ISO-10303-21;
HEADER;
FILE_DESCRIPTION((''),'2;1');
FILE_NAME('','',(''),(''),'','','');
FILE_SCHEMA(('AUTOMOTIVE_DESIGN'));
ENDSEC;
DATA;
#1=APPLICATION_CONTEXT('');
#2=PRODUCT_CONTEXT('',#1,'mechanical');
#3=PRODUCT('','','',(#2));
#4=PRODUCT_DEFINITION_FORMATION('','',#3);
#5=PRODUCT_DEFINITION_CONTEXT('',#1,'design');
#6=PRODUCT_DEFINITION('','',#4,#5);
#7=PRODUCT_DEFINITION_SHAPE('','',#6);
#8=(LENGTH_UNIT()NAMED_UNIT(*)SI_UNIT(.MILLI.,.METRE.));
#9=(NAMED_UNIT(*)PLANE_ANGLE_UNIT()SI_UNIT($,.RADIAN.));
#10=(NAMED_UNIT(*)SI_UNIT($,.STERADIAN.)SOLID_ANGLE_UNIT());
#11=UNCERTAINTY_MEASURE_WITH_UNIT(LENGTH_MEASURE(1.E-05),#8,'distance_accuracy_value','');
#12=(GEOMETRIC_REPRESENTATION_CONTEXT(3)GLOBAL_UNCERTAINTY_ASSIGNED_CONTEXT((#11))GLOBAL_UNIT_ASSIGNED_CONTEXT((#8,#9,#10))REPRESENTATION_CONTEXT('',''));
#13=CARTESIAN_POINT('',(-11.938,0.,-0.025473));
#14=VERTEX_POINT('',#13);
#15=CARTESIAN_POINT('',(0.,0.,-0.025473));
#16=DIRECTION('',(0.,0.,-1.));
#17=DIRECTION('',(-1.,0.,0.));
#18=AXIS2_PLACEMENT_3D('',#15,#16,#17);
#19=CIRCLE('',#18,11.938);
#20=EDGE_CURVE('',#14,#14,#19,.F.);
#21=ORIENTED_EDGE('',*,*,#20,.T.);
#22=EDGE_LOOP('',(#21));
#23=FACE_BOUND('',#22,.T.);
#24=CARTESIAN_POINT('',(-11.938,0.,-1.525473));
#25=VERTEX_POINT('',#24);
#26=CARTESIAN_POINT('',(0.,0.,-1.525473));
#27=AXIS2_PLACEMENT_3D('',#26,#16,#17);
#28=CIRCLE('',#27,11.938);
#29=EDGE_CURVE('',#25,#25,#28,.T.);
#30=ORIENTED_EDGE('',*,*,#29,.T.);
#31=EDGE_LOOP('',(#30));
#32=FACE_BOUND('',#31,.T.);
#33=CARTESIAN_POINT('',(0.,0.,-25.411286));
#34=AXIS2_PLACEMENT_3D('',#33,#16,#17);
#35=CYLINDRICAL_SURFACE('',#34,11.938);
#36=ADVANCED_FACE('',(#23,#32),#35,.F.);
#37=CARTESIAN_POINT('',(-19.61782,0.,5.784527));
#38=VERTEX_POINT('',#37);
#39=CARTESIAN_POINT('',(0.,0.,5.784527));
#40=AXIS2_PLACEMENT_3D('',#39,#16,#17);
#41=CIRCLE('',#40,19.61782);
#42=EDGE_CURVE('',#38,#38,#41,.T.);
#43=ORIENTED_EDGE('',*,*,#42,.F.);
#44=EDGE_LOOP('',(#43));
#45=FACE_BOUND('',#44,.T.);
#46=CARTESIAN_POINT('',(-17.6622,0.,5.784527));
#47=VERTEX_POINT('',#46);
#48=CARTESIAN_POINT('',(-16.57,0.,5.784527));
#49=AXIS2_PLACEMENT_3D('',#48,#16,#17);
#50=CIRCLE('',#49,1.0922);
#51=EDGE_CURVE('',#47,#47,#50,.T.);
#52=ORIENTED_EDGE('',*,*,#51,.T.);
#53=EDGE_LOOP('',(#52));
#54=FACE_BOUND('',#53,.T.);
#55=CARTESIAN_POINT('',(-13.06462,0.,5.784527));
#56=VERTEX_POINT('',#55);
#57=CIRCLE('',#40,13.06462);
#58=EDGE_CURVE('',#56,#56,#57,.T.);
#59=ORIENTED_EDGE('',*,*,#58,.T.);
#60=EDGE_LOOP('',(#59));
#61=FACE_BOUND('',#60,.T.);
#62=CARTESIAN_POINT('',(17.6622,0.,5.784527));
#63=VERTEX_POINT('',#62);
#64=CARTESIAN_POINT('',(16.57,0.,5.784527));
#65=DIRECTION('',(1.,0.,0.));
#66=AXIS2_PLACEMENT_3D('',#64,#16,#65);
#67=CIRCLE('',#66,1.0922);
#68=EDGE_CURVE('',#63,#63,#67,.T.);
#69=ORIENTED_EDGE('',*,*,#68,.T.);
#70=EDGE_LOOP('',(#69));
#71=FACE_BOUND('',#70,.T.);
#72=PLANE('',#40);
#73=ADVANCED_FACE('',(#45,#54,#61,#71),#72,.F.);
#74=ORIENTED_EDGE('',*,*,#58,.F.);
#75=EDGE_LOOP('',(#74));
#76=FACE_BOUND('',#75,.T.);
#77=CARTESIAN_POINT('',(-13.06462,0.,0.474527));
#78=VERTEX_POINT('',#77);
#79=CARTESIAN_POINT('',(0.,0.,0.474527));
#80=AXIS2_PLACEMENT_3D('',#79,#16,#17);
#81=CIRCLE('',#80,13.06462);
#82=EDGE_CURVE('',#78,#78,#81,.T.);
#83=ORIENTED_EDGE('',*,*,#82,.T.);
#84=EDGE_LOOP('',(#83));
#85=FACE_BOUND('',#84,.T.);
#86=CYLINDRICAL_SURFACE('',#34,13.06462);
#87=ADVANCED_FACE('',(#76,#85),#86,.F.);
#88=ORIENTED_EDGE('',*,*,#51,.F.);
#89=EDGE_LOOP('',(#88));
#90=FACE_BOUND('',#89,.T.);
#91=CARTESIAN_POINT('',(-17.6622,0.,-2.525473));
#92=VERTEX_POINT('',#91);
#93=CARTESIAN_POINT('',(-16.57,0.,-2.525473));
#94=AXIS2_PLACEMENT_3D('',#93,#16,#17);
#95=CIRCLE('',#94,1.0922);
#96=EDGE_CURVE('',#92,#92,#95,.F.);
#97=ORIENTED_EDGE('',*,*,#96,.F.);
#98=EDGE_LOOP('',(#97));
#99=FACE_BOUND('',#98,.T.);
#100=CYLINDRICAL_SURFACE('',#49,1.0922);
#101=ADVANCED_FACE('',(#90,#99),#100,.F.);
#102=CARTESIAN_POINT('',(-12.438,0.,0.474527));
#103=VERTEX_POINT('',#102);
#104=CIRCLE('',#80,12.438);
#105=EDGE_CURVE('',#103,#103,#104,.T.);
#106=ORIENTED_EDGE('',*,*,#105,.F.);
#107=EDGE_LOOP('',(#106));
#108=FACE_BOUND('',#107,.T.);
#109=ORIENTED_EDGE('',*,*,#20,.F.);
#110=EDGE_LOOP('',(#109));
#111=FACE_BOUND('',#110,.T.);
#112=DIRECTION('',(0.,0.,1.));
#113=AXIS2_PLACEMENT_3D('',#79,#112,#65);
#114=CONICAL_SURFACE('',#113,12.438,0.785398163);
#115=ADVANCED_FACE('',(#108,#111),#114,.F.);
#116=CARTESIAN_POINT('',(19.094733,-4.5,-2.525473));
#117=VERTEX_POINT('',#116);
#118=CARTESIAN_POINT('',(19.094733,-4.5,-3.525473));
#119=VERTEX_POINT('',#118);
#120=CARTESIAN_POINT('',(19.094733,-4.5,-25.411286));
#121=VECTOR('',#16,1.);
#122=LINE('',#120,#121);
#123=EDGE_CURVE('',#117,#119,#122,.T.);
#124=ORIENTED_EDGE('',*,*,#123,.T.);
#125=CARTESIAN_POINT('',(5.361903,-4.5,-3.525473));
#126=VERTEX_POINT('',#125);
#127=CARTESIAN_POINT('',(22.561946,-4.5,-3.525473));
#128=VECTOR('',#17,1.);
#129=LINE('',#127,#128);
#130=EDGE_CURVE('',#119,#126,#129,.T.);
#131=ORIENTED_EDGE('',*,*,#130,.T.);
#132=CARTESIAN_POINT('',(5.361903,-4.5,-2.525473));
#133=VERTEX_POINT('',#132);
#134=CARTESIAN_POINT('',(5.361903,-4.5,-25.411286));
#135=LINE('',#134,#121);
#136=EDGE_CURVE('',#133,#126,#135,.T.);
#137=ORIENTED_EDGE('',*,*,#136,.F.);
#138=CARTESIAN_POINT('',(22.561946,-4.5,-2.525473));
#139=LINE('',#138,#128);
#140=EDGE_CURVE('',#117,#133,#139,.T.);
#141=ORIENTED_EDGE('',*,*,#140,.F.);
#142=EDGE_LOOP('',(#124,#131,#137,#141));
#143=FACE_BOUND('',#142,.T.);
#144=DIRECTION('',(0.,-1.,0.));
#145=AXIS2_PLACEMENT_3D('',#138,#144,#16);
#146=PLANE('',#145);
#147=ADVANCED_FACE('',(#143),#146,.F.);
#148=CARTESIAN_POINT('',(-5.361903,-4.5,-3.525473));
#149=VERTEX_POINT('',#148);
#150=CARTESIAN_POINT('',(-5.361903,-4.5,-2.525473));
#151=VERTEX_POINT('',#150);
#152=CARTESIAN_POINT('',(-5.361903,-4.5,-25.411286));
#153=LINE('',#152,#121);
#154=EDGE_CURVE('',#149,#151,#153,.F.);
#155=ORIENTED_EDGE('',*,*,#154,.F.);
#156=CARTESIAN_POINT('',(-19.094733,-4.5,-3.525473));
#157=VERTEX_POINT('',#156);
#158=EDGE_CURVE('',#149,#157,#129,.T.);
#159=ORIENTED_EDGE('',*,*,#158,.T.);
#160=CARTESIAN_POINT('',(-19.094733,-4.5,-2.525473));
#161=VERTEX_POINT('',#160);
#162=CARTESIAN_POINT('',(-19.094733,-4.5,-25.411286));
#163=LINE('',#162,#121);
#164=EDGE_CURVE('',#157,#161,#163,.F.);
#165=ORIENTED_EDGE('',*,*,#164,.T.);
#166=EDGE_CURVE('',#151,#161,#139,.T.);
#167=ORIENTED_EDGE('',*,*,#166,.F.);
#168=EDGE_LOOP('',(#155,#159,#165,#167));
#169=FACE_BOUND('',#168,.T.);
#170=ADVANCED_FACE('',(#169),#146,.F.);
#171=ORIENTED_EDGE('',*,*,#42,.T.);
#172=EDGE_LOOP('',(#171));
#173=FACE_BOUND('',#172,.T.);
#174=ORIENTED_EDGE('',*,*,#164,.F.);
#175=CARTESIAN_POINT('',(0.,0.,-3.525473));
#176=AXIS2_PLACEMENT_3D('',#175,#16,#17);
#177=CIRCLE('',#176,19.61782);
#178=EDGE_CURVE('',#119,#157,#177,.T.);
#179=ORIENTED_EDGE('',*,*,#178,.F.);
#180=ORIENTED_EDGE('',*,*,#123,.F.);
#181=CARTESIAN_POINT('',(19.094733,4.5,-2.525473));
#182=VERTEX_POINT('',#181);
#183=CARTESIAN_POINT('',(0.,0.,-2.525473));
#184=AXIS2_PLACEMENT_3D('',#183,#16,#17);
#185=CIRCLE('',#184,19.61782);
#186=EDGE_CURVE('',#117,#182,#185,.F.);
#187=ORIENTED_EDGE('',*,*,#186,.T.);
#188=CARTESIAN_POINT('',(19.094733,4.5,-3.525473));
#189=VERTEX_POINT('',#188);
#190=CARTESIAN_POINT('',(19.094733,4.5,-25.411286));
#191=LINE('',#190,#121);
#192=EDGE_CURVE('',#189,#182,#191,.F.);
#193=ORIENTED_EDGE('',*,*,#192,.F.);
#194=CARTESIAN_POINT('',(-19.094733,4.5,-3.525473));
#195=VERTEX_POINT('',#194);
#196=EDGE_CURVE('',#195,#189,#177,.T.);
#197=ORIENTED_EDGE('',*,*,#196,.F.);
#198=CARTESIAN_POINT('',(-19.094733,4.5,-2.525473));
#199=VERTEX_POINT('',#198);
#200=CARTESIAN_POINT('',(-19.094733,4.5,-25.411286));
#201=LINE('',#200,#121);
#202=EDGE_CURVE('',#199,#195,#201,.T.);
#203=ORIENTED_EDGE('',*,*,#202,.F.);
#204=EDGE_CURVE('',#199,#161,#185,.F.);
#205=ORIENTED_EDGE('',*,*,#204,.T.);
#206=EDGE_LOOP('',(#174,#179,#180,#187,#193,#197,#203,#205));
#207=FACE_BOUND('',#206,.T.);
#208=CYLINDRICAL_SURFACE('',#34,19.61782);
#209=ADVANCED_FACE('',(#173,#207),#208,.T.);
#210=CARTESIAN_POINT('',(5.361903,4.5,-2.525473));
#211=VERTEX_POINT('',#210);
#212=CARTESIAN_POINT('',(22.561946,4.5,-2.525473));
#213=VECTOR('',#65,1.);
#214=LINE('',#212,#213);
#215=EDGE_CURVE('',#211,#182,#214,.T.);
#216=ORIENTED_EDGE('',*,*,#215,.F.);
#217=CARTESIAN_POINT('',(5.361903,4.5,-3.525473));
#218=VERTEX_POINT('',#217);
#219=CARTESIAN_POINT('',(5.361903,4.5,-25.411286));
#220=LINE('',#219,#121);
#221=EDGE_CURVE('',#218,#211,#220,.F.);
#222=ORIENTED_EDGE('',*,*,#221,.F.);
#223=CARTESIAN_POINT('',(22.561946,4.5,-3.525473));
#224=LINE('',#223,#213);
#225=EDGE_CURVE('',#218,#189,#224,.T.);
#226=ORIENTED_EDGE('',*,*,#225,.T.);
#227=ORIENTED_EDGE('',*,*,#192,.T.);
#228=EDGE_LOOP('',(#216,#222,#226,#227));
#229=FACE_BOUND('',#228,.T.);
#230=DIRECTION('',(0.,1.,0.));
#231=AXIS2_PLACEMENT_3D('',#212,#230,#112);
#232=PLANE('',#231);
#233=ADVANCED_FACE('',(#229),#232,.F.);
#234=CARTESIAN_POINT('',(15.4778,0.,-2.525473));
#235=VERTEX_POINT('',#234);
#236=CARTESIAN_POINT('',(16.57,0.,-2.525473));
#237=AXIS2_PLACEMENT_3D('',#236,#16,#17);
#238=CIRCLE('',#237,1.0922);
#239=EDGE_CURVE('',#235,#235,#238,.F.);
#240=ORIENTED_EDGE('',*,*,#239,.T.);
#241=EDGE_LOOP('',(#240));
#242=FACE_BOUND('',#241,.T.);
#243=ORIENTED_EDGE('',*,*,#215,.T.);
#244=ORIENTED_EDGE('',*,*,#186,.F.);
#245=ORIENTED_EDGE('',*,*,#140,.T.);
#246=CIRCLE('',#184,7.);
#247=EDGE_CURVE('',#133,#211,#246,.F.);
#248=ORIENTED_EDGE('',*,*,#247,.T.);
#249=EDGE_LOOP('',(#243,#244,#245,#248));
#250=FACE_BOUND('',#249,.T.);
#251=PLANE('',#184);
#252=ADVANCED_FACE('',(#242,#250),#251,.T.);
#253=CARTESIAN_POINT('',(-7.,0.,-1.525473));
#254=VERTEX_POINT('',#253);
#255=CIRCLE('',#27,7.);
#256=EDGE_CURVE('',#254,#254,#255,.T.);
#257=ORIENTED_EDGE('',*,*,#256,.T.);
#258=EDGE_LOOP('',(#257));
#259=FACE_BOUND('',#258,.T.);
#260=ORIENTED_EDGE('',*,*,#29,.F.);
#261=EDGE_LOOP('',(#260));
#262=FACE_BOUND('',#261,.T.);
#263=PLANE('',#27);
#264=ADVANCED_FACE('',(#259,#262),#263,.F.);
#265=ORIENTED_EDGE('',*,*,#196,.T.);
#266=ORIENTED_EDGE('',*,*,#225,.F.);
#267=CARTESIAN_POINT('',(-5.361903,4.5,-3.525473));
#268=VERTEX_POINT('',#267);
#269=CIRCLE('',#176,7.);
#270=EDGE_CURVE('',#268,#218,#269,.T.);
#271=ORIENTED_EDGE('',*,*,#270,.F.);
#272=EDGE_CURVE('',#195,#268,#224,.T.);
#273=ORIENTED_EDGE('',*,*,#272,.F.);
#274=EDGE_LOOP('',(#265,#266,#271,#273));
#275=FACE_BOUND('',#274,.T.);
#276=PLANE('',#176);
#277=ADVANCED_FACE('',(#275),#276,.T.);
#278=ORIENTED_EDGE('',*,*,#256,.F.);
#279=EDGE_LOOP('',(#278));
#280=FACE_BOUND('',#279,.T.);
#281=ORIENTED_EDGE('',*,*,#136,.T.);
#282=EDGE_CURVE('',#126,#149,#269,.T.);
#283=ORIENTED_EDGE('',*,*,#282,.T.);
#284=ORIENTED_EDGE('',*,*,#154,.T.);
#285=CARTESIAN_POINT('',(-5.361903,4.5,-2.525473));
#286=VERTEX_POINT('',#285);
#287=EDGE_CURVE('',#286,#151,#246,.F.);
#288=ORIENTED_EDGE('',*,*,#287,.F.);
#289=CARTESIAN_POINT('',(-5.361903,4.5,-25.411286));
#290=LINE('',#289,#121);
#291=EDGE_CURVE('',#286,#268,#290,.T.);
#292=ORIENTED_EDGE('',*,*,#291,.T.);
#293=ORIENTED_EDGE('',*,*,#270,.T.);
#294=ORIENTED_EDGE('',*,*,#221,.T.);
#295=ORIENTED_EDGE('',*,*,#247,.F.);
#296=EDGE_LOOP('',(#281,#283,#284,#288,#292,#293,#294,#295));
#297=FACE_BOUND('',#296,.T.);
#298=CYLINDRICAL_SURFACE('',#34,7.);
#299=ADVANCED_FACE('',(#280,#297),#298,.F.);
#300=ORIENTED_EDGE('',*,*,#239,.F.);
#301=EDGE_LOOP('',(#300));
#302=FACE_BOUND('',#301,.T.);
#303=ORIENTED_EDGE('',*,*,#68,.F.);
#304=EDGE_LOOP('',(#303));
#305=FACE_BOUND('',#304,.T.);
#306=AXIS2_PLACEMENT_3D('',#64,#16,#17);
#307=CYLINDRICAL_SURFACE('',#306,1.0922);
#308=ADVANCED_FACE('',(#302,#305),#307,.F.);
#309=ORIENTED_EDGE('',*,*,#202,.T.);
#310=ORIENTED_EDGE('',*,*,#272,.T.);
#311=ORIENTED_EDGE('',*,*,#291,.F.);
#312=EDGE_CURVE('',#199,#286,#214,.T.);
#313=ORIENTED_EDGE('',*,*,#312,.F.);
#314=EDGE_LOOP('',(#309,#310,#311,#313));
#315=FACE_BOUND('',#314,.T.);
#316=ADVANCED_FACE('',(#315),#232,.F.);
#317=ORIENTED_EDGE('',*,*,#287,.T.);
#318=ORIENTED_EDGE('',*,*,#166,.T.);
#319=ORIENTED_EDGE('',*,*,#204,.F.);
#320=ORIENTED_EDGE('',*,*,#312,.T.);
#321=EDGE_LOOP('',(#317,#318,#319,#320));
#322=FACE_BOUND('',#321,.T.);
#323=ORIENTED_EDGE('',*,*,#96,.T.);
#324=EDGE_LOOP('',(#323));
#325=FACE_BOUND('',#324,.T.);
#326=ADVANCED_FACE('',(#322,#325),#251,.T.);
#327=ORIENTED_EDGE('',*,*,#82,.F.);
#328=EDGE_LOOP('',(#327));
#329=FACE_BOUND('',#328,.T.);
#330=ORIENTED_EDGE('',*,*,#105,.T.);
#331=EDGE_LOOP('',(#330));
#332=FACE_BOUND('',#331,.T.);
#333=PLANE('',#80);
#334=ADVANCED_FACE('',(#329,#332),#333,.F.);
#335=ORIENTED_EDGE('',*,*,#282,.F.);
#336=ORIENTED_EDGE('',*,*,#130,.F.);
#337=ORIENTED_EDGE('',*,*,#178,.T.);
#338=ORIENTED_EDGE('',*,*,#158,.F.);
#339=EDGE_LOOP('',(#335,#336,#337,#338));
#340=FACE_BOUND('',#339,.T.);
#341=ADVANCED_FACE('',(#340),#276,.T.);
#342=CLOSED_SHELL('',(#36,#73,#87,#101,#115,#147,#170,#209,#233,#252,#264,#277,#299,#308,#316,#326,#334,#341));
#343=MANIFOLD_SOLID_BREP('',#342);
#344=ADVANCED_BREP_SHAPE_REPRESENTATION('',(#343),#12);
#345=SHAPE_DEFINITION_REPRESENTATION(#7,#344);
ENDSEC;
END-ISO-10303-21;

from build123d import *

# Parameters (mm, degrees)
SKETCH1_W          = 12.617819502
SKETCH1_H          = 2
SKETCH1_W_2        = 6.5532
SKETCH1_H_2        = 5.31
SKETCH2_R          = 1.0922
CUT_EXTRUDE1_DEPTH = 30.264206533
SKETCH3_W          = 45.123892984
SKETCH3_H          = 9
CUT_EXTRUDE2_DEPTH = 1
CHAMFER1_SIZE      = 0.5


with BuildPart() as part:
    # Sketch1 → Revolve1 (revolve)
    with BuildSketch(Plane(origin=(0, 0, 0), x_dir=(1, 0, 0), z_dir=(0, 1, 0))):
        with Locations((-13.308909751, 2.525473465)):
            Rectangle(SKETCH1_W, SKETCH1_H)
        Polygon((-11.938, 1.525473465), (-19.617819502, 1.525473465), (-19.617819502, -0.474526535), (-13.064619502, -0.474526535), (-11.938, -0.474526535), align=None)
        with Locations((-16.341219502, -3.129526535)):
            Rectangle(SKETCH1_W_2, SKETCH1_H_2)
    revolve(axis=Axis((0, 0, -25.411285606), (0, 0, 1)))

    # Sketch2 → Cut-Extrude1 (cut, through all)
    with BuildSketch(Plane(origin=(0, 0, -3.525473465), x_dir=(-1, 0, 0), z_dir=(0, 0, -1))):
        with Locations((16.57, 0)):
            Circle(SKETCH2_R)
        with Locations(Location((-16.57, 0, 0), (0, 0, 180))):
            Circle(SKETCH2_R)
    extrude(amount=-CUT_EXTRUDE1_DEPTH, mode=Mode.SUBTRACT)

    # Sketch3 → Cut-Extrude2 (cut)
    with BuildSketch(Plane(origin=(0, 0, -3.525473465), x_dir=(-1, 0, 0), z_dir=(0, 0, -1))):
        Rectangle(SKETCH3_W, SKETCH3_H)
    extrude(amount=-CUT_EXTRUDE2_DEPTH, mode=Mode.SUBTRACT)

    # Chamfer1
    chamfer1_edges = [part.edges().sort_by_distance(p)[0] for p in [
        (11.938, 0, 0.474526535),
    ]]
    chamfer(chamfer1_edges, length=CHAMFER1_SIZE)


solid = part.part
